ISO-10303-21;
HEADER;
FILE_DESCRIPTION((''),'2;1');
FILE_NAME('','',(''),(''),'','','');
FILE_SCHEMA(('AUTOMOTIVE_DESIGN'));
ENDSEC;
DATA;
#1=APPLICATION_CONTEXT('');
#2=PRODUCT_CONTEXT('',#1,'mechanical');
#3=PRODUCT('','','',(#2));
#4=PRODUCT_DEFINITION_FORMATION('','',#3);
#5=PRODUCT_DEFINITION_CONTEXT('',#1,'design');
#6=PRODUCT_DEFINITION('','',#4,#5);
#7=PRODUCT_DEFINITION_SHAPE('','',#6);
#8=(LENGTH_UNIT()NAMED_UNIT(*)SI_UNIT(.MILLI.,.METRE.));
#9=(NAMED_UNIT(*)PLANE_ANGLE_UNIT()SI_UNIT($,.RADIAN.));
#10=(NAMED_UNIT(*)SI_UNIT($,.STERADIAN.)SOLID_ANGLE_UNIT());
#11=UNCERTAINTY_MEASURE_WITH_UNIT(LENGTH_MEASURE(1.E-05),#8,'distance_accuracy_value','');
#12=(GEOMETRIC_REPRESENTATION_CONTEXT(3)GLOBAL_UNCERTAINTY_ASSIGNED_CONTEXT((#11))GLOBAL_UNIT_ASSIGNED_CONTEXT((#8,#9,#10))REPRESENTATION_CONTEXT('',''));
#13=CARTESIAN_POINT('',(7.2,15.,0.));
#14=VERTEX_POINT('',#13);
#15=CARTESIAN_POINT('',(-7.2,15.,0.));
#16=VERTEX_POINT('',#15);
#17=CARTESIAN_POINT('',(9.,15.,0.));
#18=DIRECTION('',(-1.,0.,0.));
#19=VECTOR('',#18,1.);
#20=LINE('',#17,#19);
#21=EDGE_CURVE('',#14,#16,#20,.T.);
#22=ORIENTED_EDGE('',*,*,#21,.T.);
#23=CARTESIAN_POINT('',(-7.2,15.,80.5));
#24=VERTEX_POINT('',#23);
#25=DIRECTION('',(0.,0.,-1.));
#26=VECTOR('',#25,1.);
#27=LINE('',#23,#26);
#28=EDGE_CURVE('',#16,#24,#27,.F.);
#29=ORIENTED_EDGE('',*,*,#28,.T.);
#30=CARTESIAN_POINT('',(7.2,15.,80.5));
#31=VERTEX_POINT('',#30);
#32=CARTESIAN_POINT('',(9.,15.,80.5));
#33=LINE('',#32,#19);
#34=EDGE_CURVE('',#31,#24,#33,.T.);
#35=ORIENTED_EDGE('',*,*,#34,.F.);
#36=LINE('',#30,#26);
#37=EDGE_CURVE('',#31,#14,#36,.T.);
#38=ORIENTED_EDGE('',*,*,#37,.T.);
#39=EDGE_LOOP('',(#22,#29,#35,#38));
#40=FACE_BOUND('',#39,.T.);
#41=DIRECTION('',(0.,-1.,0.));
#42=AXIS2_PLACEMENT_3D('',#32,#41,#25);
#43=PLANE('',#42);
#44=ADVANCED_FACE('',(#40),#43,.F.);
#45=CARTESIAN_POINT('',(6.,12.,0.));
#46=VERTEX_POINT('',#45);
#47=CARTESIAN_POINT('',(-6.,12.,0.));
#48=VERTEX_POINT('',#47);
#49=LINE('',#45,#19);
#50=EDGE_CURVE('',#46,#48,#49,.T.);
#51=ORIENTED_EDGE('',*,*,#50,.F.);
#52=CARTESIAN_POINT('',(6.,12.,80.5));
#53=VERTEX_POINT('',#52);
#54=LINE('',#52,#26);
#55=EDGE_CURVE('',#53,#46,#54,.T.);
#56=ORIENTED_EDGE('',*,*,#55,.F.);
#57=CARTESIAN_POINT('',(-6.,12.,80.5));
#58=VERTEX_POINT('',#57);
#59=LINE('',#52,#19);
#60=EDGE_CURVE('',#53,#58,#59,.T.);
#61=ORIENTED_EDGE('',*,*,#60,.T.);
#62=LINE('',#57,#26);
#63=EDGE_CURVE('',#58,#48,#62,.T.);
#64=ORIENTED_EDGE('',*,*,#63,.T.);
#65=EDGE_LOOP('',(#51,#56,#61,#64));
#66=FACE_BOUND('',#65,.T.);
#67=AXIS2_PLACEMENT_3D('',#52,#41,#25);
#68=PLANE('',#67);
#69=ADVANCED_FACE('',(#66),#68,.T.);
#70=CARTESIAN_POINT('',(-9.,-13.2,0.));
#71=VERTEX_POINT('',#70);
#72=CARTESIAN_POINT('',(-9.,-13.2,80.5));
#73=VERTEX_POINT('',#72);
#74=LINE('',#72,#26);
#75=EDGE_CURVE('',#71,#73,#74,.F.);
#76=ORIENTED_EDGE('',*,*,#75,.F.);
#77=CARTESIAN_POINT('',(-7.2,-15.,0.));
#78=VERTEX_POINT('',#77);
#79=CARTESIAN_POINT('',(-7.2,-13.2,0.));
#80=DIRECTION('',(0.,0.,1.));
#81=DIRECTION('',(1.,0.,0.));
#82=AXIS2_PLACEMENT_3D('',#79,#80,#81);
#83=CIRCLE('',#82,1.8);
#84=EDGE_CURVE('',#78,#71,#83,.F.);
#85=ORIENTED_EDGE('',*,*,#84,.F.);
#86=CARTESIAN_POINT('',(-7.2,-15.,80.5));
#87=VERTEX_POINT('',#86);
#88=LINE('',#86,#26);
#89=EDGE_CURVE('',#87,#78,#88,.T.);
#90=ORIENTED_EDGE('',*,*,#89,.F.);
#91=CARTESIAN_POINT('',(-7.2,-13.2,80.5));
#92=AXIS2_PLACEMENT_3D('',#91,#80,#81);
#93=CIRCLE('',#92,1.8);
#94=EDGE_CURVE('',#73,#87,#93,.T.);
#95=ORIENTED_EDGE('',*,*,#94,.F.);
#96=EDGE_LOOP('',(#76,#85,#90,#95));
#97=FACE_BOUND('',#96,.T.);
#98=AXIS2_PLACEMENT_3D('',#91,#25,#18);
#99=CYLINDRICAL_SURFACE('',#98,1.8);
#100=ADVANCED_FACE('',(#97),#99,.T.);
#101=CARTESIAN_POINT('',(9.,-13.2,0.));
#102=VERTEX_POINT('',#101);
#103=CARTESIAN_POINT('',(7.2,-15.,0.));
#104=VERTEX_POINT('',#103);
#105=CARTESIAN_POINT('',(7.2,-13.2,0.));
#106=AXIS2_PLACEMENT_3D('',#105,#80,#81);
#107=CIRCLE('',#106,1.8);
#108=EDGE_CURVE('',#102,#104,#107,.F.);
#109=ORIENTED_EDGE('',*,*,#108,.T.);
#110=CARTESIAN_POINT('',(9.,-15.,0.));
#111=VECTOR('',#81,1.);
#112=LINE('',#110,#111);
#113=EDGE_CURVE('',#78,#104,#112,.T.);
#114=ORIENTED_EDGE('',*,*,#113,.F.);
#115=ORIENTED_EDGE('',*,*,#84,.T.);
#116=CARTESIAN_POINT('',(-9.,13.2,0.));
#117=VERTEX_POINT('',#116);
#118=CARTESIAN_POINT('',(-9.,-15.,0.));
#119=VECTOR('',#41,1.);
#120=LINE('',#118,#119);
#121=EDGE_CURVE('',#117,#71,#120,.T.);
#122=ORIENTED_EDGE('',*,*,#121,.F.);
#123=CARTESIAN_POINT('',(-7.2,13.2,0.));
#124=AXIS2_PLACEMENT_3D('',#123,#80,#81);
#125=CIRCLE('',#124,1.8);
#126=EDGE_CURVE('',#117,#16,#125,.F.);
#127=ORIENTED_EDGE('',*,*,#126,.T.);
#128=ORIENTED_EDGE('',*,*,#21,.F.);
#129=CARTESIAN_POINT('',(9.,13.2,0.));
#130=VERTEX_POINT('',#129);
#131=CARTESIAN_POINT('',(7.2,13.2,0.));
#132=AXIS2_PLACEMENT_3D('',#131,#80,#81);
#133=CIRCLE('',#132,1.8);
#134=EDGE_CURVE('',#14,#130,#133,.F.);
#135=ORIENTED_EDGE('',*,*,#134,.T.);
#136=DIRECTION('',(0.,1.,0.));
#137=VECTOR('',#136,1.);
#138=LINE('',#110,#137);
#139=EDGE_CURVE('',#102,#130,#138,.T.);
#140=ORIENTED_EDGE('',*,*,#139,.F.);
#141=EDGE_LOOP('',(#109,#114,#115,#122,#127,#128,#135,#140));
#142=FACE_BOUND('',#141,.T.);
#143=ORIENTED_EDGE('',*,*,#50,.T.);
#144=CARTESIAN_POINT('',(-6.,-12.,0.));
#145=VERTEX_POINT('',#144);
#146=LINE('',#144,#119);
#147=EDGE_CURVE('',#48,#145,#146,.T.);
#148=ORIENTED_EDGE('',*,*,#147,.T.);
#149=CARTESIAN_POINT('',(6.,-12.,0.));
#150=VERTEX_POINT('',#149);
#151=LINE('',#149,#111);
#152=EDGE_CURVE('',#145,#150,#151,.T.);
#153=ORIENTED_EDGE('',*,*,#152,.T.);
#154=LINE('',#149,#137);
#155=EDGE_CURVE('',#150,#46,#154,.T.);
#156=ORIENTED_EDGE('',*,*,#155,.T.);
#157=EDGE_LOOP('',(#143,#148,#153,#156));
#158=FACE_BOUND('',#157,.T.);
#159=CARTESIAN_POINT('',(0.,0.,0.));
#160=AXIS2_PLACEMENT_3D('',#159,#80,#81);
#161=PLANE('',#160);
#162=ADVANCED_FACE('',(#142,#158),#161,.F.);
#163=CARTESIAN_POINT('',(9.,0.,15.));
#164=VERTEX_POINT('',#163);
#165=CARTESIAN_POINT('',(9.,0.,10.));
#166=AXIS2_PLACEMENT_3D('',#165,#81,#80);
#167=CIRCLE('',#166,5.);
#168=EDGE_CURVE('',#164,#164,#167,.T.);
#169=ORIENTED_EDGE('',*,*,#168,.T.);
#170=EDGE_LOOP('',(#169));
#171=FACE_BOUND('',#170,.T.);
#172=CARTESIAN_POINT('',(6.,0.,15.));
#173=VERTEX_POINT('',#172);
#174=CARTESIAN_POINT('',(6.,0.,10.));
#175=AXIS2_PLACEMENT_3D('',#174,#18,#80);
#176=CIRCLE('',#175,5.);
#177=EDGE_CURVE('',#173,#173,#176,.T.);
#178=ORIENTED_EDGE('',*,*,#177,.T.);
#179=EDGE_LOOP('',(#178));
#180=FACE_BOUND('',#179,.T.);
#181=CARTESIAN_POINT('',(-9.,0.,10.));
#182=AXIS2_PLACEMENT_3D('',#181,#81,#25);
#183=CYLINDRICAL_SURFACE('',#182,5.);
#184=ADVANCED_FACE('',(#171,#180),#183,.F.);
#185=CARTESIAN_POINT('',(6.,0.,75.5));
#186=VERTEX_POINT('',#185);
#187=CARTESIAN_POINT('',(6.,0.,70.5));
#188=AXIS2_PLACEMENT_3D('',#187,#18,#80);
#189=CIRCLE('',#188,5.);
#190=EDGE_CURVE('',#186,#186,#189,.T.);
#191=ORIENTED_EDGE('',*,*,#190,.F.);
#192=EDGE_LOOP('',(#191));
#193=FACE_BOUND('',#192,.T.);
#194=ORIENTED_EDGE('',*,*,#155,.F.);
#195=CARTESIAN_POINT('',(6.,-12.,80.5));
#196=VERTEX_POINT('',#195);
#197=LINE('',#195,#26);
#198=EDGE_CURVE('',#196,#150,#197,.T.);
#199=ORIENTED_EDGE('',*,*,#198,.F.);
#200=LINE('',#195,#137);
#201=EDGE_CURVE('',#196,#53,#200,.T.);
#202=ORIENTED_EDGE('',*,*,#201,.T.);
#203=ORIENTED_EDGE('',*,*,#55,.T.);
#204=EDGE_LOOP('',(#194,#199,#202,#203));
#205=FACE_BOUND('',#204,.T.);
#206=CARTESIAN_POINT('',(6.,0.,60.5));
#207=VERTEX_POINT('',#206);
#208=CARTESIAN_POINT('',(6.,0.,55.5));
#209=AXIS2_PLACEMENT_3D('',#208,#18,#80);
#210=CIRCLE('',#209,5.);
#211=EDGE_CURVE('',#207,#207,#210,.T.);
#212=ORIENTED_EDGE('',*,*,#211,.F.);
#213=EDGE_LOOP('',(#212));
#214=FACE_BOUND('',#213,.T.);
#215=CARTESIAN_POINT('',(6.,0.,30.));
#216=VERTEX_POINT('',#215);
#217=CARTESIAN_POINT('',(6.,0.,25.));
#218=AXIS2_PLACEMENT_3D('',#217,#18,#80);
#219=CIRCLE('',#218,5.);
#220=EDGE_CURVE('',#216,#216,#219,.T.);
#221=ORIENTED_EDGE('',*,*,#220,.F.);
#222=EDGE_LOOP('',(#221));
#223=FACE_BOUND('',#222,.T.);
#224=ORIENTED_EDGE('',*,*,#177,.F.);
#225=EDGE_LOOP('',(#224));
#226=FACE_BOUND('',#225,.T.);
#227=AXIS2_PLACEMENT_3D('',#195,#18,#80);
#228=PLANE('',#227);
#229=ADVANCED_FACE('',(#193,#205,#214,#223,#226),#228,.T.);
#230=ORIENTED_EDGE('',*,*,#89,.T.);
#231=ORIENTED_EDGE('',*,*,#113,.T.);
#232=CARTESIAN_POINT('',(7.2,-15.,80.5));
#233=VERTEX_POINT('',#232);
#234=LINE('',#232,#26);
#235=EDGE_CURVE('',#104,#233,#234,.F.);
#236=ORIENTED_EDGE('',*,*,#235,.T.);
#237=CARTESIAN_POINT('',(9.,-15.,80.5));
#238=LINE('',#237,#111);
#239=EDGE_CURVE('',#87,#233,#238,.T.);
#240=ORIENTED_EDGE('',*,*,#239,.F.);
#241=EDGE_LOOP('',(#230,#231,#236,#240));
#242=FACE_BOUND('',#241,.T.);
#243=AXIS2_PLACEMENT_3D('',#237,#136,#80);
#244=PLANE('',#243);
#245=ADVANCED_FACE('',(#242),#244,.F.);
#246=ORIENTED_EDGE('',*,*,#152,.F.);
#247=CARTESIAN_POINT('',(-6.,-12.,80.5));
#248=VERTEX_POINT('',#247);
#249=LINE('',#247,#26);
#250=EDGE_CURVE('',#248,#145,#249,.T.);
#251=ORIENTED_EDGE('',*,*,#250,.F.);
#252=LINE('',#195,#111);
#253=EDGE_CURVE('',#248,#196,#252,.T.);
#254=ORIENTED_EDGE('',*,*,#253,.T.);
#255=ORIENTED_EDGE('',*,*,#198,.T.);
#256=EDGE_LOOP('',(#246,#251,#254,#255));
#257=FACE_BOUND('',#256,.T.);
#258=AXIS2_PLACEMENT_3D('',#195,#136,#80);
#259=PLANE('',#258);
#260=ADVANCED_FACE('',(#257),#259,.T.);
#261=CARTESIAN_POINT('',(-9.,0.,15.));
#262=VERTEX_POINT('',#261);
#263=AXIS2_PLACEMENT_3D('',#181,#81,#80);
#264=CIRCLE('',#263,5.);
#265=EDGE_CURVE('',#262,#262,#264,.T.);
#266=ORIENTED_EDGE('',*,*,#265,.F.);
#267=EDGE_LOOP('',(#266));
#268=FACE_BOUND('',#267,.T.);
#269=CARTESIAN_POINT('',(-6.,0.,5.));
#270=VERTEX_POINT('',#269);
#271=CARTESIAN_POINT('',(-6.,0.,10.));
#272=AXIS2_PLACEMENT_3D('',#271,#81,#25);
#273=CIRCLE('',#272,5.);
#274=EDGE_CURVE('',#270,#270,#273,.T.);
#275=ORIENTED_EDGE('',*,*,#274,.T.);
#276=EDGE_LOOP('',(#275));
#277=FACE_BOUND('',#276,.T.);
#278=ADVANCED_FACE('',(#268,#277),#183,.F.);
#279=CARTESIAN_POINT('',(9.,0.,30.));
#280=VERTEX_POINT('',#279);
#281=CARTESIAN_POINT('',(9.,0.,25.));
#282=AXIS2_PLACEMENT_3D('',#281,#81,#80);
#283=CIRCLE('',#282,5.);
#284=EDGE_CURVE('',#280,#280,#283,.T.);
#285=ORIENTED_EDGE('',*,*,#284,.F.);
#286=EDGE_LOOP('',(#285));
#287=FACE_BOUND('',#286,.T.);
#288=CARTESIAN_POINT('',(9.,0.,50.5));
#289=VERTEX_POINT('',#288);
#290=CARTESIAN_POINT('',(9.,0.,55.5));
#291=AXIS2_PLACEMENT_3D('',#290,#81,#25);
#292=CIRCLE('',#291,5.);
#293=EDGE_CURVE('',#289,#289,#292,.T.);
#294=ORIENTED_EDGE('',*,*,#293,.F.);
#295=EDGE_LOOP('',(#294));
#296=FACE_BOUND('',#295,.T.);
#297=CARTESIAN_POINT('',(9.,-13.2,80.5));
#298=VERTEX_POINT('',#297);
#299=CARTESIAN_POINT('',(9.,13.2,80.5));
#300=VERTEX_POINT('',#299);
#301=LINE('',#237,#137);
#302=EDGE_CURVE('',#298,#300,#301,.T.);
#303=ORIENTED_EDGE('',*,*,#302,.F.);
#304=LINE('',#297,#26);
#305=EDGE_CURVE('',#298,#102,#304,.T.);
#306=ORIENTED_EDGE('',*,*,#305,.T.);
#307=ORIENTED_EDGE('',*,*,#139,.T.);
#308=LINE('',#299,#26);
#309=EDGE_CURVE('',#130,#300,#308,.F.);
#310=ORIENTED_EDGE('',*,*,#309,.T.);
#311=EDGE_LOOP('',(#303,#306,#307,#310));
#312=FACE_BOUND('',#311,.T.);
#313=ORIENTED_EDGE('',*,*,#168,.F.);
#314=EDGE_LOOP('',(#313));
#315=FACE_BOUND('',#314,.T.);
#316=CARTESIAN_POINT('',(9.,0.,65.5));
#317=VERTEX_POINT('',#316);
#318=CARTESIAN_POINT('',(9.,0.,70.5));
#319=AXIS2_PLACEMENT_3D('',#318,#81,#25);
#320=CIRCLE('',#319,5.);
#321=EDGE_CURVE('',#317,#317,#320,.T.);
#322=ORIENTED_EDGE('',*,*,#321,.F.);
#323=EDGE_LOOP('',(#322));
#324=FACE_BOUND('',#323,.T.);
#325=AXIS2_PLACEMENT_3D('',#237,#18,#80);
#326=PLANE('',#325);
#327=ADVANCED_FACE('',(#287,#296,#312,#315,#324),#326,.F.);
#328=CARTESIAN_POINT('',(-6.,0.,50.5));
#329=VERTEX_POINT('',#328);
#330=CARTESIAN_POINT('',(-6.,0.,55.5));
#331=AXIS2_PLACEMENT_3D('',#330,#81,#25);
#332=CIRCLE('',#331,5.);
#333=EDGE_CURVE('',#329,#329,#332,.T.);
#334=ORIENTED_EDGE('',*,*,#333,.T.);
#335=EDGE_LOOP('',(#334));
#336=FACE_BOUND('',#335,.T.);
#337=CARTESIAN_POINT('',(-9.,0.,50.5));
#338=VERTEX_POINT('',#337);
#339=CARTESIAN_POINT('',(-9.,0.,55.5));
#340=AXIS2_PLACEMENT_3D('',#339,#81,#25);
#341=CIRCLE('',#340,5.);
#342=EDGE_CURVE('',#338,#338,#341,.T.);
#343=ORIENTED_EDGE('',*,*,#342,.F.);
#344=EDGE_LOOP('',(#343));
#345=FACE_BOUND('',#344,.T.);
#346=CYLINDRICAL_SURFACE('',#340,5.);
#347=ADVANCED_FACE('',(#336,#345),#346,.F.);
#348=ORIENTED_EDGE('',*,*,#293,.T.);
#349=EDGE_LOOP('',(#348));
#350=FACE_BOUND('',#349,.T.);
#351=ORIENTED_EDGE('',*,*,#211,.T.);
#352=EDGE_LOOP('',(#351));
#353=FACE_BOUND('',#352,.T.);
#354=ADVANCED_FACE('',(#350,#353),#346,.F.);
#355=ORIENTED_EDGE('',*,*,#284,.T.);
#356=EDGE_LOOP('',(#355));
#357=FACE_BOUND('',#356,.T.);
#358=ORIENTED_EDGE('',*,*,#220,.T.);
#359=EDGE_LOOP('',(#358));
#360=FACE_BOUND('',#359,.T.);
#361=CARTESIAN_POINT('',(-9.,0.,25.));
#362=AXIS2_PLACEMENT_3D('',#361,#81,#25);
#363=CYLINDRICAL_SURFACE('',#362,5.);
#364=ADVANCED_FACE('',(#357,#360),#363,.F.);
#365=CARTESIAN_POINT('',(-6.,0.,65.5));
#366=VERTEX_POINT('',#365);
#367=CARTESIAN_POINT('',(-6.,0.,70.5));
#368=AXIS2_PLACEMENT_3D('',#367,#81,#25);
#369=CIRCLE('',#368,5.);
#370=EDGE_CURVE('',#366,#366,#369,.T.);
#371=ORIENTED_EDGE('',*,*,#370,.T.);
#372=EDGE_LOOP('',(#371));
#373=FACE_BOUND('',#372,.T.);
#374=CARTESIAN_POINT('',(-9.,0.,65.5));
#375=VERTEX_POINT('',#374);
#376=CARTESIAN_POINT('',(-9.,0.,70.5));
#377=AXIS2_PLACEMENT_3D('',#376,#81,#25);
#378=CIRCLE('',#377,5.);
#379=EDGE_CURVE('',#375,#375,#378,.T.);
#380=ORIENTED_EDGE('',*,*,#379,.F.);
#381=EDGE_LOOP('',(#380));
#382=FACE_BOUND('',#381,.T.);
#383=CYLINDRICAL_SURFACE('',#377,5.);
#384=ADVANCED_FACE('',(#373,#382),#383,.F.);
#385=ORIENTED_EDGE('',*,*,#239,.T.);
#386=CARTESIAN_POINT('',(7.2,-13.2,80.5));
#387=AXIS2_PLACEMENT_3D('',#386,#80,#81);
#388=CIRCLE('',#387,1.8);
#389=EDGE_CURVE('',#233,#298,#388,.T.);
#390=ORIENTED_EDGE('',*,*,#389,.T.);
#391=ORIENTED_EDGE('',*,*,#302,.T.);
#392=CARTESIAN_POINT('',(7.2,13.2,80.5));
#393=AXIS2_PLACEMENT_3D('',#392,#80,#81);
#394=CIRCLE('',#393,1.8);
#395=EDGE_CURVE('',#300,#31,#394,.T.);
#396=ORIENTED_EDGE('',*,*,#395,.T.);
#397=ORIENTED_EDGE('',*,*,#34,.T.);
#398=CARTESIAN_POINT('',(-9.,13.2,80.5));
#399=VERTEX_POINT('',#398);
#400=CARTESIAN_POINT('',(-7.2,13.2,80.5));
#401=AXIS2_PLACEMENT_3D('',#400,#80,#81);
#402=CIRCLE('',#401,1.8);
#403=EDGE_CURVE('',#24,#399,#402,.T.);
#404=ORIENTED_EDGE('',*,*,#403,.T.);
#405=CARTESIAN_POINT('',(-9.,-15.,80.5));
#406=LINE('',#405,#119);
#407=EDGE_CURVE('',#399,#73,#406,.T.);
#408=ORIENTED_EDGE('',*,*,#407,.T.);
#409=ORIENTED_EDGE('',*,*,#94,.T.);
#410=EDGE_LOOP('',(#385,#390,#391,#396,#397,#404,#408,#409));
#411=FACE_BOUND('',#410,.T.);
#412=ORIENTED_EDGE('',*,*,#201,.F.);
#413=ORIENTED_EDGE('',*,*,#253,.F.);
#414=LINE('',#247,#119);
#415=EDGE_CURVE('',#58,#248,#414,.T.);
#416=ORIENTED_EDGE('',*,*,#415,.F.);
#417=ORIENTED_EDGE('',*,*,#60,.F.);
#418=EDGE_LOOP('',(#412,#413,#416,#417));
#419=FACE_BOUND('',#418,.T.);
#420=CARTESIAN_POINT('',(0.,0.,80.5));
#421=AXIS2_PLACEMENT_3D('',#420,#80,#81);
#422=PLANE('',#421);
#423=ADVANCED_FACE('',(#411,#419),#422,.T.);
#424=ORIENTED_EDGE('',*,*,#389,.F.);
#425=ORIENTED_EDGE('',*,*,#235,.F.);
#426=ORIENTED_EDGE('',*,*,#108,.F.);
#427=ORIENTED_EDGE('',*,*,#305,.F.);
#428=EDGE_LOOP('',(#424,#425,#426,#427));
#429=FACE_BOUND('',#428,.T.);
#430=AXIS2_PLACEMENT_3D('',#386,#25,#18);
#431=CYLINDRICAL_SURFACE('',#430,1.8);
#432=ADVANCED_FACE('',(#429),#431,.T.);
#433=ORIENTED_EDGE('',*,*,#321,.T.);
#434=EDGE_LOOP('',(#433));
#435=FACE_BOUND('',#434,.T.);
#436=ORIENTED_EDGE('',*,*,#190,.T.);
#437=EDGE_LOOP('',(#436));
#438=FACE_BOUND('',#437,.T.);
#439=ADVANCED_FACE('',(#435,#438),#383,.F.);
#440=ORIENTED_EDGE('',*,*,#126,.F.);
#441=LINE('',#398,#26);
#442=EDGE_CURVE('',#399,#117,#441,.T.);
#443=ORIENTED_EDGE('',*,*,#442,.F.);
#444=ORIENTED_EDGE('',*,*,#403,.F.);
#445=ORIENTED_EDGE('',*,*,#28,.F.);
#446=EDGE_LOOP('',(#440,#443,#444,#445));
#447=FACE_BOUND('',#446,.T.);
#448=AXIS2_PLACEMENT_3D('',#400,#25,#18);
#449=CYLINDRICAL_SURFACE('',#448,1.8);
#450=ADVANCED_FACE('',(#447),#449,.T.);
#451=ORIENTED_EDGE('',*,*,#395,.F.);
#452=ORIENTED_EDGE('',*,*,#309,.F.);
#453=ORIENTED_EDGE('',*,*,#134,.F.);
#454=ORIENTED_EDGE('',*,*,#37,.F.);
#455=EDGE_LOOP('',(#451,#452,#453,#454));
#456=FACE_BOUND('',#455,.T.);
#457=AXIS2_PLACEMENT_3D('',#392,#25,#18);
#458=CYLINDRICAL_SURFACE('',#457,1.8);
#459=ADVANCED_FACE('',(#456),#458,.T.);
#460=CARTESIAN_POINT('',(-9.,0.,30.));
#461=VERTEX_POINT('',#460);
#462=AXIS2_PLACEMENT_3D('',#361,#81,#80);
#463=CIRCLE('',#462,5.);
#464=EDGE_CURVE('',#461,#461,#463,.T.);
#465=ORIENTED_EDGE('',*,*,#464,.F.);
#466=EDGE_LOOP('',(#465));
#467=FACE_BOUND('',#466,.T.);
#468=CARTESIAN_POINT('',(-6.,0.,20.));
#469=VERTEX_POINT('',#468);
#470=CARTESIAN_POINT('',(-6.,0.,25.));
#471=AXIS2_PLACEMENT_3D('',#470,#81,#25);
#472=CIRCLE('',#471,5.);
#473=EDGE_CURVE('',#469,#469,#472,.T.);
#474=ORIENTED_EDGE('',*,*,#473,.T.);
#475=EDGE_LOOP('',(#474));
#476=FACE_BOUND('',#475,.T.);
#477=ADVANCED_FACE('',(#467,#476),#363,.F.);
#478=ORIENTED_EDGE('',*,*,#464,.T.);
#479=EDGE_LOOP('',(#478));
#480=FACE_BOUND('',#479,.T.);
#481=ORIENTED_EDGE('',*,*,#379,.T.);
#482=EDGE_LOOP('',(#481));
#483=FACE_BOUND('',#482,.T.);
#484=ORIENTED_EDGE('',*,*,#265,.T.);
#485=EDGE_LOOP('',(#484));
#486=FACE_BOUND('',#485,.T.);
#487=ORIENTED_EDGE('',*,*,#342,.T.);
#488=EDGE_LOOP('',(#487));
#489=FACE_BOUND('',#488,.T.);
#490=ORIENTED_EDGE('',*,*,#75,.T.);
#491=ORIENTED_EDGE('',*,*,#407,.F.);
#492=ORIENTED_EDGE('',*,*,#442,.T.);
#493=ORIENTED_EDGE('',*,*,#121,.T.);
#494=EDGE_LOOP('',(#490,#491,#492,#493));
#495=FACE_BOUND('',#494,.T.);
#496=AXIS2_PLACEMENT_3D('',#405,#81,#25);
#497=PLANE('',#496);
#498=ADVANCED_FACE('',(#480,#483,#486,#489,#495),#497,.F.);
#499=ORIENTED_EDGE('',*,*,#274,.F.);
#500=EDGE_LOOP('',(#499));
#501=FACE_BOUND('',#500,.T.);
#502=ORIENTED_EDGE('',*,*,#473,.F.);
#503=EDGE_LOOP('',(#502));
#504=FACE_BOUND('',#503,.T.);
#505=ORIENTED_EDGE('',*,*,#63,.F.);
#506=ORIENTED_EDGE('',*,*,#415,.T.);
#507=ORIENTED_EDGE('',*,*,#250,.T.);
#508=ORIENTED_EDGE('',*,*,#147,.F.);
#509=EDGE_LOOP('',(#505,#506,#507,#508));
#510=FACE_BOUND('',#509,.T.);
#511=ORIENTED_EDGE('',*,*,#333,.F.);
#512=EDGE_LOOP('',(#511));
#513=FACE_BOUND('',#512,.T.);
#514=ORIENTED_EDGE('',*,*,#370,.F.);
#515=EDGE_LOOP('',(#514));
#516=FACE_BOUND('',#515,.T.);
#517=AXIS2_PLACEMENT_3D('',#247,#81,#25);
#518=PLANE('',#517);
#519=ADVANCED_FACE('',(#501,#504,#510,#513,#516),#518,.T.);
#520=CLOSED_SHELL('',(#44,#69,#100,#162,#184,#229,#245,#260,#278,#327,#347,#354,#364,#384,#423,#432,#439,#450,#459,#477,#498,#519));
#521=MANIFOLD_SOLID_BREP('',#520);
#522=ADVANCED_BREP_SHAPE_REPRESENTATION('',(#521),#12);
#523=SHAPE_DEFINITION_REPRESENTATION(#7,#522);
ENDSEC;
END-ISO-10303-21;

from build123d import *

# Parameters (mm, degrees)
SKETCH1_W         = 18
SKETCH1_H         = 30
SKETCH1_W_2       = 12
SKETCH1_H_2       = 24
BODY_DEPTH        = 80.5
SKETCH2_R         = 5
MOUNT_HOLES_DEPTH = 84.840622612
CORNER_FILLETS_R  = 1.8


with BuildPart() as part:
    # Sketch1 → Body (new body)
    with BuildSketch(Plane.XY):
        Rectangle(SKETCH1_W, SKETCH1_H)
        Rectangle(SKETCH1_W_2, SKETCH1_H_2, mode=Mode.SUBTRACT)
    extrude(amount=BODY_DEPTH)

    # Sketch2 → Mount Holes (cut, through all)
    with BuildSketch(Plane(origin=(9, 0, 0), x_dir=(0, 0, -1), z_dir=(1, 0, 0))):
        with Locations((-70.5, 0)):
            Circle(SKETCH2_R)
        with Locations((-55.5, 0)):
            Circle(SKETCH2_R)
        with Locations(Location((-25, 0, 0), (0, 0, 180))):
            Circle(SKETCH2_R)
        with Locations(Location((-10, 0, 0), (0, 0, 180))):
            Circle(SKETCH2_R)
    extrude(amount=-MOUNT_HOLES_DEPTH, mode=Mode.SUBTRACT)

    # Corner Fillets
    corner_fillets_edges = [part.edges().sort_by_distance(p)[0] for p in [
        (-9, 15, 40.25),
        (9, 15, 40.25),
        (9, -15, 40.25),
        (-9, -15, 40.25),
    ]]
    fillet(corner_fillets_edges, radius=CORNER_FILLETS_R)


solid = part.part
